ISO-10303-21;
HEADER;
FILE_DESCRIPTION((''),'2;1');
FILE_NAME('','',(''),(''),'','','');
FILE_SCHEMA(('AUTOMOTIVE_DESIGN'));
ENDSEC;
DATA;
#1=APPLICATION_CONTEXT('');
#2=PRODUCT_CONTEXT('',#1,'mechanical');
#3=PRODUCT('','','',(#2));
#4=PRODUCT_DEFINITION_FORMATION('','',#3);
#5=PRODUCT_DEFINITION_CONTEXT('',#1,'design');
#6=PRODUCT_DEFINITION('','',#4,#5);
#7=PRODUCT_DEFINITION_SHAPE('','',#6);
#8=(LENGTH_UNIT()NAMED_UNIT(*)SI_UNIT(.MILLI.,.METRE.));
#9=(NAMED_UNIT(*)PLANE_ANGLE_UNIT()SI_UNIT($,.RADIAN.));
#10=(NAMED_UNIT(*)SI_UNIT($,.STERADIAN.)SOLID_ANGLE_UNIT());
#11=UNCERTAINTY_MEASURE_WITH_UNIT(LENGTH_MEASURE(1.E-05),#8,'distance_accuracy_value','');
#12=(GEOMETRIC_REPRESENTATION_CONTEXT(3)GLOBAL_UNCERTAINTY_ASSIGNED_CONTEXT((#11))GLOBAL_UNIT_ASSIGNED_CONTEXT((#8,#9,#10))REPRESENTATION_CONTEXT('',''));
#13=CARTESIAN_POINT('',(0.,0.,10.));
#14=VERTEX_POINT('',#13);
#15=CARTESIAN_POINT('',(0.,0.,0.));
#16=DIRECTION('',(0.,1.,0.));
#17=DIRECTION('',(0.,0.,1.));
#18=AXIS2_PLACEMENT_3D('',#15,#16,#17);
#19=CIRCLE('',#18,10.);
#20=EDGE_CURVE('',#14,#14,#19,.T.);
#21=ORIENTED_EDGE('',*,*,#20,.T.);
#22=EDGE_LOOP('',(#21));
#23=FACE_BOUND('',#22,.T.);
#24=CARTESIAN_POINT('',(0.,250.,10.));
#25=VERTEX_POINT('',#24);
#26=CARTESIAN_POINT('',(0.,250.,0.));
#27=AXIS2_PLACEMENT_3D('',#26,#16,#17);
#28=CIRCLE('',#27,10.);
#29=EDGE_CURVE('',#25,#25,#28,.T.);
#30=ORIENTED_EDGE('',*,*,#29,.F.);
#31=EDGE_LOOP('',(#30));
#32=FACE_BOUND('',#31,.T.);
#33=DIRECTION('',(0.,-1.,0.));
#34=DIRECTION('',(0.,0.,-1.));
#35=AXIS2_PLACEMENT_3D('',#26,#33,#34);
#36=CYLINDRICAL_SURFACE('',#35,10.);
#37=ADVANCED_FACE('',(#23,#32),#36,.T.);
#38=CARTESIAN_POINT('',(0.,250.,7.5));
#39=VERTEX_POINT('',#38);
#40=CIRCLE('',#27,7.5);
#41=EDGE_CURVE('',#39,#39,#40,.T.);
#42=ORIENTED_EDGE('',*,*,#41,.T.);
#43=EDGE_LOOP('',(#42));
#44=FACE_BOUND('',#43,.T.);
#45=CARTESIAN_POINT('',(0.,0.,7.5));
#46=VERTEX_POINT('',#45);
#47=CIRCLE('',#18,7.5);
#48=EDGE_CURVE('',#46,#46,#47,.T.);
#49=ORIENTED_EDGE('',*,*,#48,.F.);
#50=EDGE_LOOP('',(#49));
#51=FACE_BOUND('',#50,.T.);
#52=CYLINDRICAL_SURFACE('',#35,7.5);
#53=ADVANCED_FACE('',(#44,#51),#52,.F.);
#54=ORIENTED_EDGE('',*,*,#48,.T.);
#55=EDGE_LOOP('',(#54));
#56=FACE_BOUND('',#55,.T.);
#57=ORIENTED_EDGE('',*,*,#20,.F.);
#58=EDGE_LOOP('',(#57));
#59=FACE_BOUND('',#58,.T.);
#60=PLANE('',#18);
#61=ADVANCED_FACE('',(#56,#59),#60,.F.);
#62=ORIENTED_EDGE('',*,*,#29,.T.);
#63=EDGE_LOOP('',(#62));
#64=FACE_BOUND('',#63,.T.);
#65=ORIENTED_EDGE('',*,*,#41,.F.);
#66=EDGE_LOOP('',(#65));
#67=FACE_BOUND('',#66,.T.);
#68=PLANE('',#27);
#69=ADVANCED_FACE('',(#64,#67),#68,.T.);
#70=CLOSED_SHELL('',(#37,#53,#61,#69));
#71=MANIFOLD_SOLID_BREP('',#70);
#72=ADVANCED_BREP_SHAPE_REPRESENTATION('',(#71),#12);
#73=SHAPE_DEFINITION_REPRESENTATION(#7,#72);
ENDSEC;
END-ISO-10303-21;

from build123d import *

# Parameters (mm, degrees)
SKETCH_1_R      = 10
SKETCH_1_R_2    = 7.5
EXTRUDE_1_DEPTH = 250


with BuildPart() as part:
    # 스케치1 → 보스-돌출1 (new body)
    with BuildSketch(Plane(origin=(0, 0, 0), x_dir=(1, 0, 0), z_dir=(0, 1, 0))):
        Circle(SKETCH_1_R)
        Circle(SKETCH_1_R_2, mode=Mode.SUBTRACT)
    extrude(amount=EXTRUDE_1_DEPTH)


solid = part.part
